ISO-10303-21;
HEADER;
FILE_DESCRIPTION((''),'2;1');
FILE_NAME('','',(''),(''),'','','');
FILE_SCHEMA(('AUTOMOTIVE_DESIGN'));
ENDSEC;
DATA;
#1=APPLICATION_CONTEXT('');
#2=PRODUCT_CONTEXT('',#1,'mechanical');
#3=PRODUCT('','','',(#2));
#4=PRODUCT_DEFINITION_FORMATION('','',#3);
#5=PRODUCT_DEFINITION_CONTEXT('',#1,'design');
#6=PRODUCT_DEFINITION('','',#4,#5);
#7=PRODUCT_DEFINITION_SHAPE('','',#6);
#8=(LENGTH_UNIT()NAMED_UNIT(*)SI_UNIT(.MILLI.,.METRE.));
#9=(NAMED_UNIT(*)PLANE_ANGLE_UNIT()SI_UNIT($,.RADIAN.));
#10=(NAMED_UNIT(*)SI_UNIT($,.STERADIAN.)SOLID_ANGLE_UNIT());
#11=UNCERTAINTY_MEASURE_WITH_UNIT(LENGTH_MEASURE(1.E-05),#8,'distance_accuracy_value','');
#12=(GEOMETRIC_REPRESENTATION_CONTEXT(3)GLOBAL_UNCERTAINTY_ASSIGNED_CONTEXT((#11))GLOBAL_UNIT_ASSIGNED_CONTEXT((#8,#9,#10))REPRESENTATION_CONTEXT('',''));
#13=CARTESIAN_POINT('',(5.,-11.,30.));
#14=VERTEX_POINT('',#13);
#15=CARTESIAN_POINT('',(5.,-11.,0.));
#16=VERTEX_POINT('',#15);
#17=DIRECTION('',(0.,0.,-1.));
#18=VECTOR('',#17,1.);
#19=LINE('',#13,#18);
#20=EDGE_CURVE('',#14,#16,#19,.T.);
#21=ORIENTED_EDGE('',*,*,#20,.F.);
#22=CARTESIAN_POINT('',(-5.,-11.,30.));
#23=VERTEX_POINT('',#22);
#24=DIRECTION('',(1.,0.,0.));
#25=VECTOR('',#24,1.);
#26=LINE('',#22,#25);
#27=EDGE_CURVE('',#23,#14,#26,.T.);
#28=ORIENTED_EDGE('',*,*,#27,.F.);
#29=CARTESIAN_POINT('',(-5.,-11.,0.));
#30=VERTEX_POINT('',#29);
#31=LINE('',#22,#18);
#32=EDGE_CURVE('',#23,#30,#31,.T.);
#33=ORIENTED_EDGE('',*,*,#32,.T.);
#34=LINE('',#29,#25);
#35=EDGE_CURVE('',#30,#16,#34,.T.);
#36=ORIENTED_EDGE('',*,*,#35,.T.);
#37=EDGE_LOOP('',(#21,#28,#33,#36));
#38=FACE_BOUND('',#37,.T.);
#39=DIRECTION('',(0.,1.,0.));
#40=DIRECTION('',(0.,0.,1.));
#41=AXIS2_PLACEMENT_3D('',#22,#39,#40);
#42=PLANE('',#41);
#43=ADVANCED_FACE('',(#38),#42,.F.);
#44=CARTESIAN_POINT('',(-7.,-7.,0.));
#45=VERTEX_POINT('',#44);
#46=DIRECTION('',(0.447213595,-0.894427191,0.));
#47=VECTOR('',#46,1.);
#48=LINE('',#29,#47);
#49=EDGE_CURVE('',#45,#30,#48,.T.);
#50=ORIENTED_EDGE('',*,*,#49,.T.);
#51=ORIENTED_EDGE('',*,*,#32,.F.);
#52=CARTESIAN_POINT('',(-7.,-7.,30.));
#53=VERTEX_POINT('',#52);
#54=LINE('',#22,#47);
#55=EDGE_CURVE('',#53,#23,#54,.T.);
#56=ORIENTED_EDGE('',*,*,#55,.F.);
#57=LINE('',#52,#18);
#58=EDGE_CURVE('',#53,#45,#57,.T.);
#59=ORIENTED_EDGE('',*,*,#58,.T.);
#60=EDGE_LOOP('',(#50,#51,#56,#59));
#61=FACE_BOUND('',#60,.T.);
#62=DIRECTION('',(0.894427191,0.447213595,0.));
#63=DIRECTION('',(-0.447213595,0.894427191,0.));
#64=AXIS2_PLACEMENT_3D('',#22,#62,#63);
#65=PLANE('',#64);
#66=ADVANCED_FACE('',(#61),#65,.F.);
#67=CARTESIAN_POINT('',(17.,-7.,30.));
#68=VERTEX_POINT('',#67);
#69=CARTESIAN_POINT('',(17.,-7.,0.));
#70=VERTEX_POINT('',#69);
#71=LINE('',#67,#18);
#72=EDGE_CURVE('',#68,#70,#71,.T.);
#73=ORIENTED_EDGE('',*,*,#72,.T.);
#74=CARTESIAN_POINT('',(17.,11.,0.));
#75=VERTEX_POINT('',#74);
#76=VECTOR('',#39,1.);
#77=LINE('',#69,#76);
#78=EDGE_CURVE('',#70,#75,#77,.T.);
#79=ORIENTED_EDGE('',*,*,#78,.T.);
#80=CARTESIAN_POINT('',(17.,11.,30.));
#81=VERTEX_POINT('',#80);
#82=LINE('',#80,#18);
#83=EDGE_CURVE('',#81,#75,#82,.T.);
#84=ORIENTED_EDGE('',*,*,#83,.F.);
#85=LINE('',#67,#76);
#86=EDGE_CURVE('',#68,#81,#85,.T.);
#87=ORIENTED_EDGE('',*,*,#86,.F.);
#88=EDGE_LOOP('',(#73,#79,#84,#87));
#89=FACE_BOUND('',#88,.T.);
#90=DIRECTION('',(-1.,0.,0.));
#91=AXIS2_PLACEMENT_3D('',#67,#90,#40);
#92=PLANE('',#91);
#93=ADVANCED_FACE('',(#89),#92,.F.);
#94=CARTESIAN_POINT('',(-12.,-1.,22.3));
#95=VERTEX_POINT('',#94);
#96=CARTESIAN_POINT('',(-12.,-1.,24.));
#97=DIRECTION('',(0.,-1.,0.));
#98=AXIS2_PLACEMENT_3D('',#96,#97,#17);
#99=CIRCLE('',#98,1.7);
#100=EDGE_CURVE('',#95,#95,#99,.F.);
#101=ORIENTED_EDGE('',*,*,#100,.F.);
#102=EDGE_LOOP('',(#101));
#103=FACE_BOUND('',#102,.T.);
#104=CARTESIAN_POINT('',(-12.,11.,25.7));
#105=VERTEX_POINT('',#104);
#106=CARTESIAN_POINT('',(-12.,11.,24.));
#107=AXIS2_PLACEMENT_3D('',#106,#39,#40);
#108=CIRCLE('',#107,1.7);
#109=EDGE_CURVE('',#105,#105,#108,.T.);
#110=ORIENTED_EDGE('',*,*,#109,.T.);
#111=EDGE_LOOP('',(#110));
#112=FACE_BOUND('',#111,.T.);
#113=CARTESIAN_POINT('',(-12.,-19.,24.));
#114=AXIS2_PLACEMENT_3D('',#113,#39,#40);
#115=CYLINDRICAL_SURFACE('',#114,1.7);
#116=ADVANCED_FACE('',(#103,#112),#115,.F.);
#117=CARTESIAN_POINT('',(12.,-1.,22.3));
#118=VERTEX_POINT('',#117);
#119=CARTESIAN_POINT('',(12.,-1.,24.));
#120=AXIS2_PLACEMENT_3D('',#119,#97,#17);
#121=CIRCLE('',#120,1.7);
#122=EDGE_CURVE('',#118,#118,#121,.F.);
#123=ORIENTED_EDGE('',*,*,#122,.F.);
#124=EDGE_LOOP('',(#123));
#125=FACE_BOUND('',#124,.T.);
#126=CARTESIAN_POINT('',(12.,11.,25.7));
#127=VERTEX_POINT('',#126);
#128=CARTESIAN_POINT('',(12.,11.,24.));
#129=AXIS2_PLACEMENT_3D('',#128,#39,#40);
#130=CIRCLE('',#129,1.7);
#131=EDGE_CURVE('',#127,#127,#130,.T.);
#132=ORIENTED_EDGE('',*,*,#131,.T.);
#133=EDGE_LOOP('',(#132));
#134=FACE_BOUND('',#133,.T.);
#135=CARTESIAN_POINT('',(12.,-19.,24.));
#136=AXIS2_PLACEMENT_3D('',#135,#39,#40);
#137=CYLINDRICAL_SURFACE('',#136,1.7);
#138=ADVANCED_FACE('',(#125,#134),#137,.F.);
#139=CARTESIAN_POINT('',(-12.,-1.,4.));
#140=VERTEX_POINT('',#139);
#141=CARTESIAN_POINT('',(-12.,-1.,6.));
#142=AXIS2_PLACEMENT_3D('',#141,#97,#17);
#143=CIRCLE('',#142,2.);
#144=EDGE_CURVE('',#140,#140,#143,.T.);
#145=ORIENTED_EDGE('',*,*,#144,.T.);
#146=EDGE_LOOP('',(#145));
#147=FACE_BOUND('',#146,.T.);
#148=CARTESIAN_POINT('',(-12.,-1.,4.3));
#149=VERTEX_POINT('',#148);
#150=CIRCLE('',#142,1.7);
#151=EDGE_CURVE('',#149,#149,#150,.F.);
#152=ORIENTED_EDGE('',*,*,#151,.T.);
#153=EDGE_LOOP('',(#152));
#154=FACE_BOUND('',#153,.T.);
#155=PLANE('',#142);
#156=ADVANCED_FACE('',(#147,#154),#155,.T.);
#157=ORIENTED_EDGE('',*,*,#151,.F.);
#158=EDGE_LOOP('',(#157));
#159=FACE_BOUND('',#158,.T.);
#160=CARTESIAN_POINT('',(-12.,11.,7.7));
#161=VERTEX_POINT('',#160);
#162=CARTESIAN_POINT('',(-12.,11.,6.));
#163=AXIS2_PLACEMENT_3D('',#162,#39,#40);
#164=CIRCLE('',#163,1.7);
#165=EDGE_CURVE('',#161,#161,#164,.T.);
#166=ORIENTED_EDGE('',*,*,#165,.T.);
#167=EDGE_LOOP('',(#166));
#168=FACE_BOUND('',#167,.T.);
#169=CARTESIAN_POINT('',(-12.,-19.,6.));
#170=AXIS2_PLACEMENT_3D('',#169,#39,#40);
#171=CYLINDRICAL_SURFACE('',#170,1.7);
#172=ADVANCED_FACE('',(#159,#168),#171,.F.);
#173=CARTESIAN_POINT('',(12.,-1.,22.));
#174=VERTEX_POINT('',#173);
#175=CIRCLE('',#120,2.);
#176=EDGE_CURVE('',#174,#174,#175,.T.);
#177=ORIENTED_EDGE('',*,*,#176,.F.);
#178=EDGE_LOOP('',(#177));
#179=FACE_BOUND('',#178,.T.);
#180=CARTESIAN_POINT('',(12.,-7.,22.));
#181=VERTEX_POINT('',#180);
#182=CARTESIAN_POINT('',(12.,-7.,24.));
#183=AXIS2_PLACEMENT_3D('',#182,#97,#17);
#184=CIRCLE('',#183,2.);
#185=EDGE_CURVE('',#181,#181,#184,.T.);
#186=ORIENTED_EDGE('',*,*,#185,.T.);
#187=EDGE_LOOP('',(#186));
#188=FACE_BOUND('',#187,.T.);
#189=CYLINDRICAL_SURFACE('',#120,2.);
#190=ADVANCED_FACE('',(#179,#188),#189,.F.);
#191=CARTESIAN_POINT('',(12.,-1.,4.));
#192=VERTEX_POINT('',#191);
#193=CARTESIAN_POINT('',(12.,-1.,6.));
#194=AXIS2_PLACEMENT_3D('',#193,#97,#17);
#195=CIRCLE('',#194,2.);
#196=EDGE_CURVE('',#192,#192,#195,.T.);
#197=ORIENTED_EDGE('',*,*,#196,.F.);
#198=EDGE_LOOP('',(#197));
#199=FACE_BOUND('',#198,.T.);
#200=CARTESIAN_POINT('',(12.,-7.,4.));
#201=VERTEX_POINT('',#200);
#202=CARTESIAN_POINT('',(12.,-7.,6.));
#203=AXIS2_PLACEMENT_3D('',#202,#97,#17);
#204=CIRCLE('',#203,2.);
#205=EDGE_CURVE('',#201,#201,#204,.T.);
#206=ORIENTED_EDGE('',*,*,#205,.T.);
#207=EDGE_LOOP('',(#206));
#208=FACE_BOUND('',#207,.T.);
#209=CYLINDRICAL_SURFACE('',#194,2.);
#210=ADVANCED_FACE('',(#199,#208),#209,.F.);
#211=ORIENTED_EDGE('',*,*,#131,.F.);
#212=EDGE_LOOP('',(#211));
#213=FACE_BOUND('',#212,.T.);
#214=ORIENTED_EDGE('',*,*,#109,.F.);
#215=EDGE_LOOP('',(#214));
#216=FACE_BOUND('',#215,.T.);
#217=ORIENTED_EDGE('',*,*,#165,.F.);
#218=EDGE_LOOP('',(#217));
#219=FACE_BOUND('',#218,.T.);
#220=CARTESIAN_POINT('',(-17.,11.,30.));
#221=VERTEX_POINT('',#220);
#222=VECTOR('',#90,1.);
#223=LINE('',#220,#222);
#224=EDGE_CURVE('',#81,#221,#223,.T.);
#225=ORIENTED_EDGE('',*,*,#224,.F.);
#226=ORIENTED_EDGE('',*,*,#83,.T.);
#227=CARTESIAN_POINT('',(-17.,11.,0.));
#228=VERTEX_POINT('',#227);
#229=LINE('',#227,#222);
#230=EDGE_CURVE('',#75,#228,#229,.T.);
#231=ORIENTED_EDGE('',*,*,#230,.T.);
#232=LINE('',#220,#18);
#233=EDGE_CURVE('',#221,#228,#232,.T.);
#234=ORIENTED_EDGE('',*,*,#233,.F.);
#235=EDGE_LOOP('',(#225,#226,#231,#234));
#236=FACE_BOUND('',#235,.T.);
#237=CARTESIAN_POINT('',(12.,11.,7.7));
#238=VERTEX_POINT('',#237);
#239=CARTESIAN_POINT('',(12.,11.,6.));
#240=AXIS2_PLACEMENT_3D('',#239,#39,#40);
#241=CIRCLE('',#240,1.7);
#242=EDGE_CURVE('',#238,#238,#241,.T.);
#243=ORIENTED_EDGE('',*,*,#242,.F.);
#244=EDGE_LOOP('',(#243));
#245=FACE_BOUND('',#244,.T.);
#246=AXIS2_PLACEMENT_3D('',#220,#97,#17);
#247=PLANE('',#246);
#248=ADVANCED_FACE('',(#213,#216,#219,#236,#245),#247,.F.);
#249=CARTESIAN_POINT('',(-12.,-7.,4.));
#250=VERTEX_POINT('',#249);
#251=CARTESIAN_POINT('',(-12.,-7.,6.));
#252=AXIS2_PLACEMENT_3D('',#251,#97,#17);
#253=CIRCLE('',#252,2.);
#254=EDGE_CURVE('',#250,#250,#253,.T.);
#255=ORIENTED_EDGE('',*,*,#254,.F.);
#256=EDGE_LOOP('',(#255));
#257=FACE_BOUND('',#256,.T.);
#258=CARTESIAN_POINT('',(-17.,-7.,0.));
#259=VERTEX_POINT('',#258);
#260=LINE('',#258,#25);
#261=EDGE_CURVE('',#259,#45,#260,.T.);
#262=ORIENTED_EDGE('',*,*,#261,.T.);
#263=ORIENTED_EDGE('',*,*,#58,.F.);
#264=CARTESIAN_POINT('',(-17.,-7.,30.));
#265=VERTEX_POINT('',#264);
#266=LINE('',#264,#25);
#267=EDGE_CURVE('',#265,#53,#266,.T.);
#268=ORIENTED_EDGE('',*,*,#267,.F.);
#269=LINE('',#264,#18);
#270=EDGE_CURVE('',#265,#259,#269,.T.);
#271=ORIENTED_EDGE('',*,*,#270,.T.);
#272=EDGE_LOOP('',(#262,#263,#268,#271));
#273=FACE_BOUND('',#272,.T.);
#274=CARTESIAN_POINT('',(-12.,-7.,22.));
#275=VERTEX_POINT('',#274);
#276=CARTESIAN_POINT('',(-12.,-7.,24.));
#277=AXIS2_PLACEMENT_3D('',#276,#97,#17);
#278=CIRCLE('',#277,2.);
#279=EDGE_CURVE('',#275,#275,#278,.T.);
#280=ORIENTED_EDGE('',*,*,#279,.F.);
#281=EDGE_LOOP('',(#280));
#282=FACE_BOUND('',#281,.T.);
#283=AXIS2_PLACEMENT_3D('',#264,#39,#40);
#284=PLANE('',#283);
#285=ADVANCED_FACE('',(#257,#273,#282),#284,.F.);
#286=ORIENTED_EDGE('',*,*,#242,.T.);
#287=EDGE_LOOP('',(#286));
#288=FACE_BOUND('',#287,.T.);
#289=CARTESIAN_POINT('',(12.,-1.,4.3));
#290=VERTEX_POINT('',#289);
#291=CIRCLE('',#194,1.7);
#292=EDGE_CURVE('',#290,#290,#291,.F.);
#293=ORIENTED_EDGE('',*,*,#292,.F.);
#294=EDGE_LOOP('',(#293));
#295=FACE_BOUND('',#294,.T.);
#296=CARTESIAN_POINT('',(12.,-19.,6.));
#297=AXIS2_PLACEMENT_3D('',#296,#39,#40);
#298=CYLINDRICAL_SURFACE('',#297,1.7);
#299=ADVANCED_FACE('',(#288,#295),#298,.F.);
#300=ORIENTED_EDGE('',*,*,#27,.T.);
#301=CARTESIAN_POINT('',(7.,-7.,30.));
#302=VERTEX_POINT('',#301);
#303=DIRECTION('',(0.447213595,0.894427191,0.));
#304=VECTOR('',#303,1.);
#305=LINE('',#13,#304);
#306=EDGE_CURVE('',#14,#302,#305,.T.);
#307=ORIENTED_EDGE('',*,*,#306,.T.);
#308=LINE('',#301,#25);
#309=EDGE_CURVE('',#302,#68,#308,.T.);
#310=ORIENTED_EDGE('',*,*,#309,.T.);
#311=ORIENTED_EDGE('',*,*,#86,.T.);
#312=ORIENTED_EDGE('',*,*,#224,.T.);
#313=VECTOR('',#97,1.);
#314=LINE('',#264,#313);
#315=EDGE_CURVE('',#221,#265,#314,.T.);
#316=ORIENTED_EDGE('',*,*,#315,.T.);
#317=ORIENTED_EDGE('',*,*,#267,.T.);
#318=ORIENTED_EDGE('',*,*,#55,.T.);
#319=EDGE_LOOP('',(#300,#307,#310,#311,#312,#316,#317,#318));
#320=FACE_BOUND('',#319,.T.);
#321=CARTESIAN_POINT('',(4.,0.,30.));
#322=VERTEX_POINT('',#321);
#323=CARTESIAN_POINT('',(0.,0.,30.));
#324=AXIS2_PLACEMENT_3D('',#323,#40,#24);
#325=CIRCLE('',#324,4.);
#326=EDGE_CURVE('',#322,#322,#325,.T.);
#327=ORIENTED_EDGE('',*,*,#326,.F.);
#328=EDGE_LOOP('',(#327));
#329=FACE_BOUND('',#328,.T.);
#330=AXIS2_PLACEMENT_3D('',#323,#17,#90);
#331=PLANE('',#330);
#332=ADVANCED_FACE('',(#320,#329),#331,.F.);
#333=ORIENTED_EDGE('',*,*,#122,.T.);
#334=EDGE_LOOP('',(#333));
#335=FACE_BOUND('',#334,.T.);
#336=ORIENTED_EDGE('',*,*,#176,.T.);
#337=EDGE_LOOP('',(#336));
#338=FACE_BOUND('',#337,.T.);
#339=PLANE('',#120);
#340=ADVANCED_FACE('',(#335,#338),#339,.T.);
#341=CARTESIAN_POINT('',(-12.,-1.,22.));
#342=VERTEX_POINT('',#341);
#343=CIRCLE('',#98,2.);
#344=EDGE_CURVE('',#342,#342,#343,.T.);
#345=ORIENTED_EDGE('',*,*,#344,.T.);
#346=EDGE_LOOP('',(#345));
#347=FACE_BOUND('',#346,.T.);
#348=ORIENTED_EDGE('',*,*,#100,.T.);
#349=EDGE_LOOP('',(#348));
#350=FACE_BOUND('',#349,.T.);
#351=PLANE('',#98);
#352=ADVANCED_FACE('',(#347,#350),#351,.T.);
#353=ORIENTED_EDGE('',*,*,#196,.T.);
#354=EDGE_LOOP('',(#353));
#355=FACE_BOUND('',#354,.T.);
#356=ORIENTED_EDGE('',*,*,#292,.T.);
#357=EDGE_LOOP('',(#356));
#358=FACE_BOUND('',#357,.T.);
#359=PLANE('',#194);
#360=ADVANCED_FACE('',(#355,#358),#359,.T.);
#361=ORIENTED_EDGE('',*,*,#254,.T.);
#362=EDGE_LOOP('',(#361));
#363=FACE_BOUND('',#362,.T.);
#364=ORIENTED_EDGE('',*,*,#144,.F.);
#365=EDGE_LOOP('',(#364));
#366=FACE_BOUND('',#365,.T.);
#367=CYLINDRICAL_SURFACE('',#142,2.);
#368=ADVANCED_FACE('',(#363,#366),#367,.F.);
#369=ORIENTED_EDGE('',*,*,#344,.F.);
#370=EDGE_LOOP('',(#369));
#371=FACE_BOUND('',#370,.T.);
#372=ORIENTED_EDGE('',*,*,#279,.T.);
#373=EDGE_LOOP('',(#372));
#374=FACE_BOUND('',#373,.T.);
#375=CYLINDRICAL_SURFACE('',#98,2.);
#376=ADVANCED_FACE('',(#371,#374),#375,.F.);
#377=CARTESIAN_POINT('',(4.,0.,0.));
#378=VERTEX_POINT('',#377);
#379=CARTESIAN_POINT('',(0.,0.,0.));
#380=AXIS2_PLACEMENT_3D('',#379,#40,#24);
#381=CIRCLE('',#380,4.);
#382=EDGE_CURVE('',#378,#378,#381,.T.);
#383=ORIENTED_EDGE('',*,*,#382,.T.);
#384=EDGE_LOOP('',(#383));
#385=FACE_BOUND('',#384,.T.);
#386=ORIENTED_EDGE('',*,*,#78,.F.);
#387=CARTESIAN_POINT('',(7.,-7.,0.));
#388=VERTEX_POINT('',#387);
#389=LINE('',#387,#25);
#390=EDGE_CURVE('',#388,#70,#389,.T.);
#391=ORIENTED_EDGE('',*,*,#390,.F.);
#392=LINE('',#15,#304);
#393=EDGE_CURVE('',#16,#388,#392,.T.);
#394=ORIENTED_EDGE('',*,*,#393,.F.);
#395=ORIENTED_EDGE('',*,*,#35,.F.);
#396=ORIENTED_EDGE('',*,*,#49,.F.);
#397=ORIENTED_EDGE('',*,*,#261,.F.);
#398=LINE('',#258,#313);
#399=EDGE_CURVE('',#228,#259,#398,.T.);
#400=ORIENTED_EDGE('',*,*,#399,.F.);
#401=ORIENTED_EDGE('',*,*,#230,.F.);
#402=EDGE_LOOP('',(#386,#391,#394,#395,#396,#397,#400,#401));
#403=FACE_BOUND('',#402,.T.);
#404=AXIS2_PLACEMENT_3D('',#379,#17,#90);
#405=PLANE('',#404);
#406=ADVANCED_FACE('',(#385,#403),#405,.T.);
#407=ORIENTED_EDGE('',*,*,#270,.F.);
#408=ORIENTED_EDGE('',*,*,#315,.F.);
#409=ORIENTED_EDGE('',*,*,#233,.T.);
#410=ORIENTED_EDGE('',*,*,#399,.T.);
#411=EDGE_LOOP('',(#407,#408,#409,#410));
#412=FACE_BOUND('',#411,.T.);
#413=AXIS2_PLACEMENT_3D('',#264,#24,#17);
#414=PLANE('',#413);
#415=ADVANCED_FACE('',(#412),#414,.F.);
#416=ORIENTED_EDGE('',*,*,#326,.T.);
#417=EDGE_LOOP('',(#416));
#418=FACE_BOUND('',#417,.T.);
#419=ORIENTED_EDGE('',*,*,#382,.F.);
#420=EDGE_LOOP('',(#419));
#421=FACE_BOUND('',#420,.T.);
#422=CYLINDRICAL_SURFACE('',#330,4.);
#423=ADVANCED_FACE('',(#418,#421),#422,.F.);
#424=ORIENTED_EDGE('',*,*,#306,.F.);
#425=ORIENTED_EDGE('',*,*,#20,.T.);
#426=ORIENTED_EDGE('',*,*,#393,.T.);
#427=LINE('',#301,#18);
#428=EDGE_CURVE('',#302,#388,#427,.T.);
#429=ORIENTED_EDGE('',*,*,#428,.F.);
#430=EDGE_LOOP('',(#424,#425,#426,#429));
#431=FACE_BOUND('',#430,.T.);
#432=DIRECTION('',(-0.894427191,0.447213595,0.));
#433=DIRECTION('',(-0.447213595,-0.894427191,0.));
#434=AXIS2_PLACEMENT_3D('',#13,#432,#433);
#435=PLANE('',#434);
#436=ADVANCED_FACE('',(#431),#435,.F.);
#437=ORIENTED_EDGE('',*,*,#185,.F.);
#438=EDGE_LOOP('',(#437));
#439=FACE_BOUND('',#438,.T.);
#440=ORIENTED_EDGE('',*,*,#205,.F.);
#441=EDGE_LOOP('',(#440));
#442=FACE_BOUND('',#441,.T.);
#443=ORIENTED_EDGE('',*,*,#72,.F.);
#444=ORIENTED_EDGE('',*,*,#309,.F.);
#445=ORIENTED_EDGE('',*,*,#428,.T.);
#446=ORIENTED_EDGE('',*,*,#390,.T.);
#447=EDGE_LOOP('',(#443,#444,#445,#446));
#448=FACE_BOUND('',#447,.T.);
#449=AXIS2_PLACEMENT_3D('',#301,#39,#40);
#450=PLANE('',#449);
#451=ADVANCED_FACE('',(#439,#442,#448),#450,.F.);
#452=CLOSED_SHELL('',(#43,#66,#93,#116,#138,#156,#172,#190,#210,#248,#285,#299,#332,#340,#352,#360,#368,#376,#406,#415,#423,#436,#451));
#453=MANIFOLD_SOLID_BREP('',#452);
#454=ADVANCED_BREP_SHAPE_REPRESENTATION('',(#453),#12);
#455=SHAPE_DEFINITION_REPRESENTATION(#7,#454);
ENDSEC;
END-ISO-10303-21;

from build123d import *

# Parameters (mm, degrees)
SKETCH_1_R          = 4
EXTRUDE_1_DEPTH     = 30
SKETCH_3_R          = 1.7
CUT_EXTRUDE_1_DEPTH = 30
SKETCH_4_R          = 2
CUT_EXTRUDE_2_DEPTH = 6


with BuildPart() as part:
    # 草图1 → 凸台-拉伸1 (new body)
    with BuildSketch(Plane.XY):
        Polygon((-17, -7), (-7, -7), (-5, -11), (5, -11), (7, -7), (17, -7), (17, 11), (-17, 11), align=None)
        Circle(SKETCH_1_R, mode=Mode.SUBTRACT)
    extrude(amount=EXTRUDE_1_DEPTH)

    # 草图3 → 切除-拉伸1 (cut)
    with BuildSketch(Plane(origin=(0, 11, 0), x_dir=(1, 0, 0), z_dir=(0, 1, 0))):
        with Locations(Location((12, -6, 0), (0, 0, 270))):
            Circle(SKETCH_3_R)
        with Locations(Location((-12, -6, 0), (0, 0, 270))):
            Circle(SKETCH_3_R)
        with Locations(Location((-12, -24, 0), (0, 0, 270))):
            Circle(SKETCH_3_R)
        with Locations(Location((12, -24, 0), (0, 0, 270))):
            Circle(SKETCH_3_R)
    extrude(amount=-CUT_EXTRUDE_1_DEPTH, mode=Mode.SUBTRACT)

    # 草图4 → 切除-拉伸2 (cut)
    with BuildSketch(Plane.XZ.offset(7)):
        with Locations(Location((-12, 24, 0), (0, 0, 270))):
            Circle(SKETCH_4_R)
        with Locations(Location((12, 24, 0), (0, 0, 270))):
            Circle(SKETCH_4_R)
        with Locations(Location((12, 6, 0), (0, 0, 270))):
            Circle(SKETCH_4_R)
        with Locations(Location((-12, 6, 0), (0, 0, 270))):
            Circle(SKETCH_4_R)
    extrude(amount=-CUT_EXTRUDE_2_DEPTH, mode=Mode.SUBTRACT)


solid = part.part
